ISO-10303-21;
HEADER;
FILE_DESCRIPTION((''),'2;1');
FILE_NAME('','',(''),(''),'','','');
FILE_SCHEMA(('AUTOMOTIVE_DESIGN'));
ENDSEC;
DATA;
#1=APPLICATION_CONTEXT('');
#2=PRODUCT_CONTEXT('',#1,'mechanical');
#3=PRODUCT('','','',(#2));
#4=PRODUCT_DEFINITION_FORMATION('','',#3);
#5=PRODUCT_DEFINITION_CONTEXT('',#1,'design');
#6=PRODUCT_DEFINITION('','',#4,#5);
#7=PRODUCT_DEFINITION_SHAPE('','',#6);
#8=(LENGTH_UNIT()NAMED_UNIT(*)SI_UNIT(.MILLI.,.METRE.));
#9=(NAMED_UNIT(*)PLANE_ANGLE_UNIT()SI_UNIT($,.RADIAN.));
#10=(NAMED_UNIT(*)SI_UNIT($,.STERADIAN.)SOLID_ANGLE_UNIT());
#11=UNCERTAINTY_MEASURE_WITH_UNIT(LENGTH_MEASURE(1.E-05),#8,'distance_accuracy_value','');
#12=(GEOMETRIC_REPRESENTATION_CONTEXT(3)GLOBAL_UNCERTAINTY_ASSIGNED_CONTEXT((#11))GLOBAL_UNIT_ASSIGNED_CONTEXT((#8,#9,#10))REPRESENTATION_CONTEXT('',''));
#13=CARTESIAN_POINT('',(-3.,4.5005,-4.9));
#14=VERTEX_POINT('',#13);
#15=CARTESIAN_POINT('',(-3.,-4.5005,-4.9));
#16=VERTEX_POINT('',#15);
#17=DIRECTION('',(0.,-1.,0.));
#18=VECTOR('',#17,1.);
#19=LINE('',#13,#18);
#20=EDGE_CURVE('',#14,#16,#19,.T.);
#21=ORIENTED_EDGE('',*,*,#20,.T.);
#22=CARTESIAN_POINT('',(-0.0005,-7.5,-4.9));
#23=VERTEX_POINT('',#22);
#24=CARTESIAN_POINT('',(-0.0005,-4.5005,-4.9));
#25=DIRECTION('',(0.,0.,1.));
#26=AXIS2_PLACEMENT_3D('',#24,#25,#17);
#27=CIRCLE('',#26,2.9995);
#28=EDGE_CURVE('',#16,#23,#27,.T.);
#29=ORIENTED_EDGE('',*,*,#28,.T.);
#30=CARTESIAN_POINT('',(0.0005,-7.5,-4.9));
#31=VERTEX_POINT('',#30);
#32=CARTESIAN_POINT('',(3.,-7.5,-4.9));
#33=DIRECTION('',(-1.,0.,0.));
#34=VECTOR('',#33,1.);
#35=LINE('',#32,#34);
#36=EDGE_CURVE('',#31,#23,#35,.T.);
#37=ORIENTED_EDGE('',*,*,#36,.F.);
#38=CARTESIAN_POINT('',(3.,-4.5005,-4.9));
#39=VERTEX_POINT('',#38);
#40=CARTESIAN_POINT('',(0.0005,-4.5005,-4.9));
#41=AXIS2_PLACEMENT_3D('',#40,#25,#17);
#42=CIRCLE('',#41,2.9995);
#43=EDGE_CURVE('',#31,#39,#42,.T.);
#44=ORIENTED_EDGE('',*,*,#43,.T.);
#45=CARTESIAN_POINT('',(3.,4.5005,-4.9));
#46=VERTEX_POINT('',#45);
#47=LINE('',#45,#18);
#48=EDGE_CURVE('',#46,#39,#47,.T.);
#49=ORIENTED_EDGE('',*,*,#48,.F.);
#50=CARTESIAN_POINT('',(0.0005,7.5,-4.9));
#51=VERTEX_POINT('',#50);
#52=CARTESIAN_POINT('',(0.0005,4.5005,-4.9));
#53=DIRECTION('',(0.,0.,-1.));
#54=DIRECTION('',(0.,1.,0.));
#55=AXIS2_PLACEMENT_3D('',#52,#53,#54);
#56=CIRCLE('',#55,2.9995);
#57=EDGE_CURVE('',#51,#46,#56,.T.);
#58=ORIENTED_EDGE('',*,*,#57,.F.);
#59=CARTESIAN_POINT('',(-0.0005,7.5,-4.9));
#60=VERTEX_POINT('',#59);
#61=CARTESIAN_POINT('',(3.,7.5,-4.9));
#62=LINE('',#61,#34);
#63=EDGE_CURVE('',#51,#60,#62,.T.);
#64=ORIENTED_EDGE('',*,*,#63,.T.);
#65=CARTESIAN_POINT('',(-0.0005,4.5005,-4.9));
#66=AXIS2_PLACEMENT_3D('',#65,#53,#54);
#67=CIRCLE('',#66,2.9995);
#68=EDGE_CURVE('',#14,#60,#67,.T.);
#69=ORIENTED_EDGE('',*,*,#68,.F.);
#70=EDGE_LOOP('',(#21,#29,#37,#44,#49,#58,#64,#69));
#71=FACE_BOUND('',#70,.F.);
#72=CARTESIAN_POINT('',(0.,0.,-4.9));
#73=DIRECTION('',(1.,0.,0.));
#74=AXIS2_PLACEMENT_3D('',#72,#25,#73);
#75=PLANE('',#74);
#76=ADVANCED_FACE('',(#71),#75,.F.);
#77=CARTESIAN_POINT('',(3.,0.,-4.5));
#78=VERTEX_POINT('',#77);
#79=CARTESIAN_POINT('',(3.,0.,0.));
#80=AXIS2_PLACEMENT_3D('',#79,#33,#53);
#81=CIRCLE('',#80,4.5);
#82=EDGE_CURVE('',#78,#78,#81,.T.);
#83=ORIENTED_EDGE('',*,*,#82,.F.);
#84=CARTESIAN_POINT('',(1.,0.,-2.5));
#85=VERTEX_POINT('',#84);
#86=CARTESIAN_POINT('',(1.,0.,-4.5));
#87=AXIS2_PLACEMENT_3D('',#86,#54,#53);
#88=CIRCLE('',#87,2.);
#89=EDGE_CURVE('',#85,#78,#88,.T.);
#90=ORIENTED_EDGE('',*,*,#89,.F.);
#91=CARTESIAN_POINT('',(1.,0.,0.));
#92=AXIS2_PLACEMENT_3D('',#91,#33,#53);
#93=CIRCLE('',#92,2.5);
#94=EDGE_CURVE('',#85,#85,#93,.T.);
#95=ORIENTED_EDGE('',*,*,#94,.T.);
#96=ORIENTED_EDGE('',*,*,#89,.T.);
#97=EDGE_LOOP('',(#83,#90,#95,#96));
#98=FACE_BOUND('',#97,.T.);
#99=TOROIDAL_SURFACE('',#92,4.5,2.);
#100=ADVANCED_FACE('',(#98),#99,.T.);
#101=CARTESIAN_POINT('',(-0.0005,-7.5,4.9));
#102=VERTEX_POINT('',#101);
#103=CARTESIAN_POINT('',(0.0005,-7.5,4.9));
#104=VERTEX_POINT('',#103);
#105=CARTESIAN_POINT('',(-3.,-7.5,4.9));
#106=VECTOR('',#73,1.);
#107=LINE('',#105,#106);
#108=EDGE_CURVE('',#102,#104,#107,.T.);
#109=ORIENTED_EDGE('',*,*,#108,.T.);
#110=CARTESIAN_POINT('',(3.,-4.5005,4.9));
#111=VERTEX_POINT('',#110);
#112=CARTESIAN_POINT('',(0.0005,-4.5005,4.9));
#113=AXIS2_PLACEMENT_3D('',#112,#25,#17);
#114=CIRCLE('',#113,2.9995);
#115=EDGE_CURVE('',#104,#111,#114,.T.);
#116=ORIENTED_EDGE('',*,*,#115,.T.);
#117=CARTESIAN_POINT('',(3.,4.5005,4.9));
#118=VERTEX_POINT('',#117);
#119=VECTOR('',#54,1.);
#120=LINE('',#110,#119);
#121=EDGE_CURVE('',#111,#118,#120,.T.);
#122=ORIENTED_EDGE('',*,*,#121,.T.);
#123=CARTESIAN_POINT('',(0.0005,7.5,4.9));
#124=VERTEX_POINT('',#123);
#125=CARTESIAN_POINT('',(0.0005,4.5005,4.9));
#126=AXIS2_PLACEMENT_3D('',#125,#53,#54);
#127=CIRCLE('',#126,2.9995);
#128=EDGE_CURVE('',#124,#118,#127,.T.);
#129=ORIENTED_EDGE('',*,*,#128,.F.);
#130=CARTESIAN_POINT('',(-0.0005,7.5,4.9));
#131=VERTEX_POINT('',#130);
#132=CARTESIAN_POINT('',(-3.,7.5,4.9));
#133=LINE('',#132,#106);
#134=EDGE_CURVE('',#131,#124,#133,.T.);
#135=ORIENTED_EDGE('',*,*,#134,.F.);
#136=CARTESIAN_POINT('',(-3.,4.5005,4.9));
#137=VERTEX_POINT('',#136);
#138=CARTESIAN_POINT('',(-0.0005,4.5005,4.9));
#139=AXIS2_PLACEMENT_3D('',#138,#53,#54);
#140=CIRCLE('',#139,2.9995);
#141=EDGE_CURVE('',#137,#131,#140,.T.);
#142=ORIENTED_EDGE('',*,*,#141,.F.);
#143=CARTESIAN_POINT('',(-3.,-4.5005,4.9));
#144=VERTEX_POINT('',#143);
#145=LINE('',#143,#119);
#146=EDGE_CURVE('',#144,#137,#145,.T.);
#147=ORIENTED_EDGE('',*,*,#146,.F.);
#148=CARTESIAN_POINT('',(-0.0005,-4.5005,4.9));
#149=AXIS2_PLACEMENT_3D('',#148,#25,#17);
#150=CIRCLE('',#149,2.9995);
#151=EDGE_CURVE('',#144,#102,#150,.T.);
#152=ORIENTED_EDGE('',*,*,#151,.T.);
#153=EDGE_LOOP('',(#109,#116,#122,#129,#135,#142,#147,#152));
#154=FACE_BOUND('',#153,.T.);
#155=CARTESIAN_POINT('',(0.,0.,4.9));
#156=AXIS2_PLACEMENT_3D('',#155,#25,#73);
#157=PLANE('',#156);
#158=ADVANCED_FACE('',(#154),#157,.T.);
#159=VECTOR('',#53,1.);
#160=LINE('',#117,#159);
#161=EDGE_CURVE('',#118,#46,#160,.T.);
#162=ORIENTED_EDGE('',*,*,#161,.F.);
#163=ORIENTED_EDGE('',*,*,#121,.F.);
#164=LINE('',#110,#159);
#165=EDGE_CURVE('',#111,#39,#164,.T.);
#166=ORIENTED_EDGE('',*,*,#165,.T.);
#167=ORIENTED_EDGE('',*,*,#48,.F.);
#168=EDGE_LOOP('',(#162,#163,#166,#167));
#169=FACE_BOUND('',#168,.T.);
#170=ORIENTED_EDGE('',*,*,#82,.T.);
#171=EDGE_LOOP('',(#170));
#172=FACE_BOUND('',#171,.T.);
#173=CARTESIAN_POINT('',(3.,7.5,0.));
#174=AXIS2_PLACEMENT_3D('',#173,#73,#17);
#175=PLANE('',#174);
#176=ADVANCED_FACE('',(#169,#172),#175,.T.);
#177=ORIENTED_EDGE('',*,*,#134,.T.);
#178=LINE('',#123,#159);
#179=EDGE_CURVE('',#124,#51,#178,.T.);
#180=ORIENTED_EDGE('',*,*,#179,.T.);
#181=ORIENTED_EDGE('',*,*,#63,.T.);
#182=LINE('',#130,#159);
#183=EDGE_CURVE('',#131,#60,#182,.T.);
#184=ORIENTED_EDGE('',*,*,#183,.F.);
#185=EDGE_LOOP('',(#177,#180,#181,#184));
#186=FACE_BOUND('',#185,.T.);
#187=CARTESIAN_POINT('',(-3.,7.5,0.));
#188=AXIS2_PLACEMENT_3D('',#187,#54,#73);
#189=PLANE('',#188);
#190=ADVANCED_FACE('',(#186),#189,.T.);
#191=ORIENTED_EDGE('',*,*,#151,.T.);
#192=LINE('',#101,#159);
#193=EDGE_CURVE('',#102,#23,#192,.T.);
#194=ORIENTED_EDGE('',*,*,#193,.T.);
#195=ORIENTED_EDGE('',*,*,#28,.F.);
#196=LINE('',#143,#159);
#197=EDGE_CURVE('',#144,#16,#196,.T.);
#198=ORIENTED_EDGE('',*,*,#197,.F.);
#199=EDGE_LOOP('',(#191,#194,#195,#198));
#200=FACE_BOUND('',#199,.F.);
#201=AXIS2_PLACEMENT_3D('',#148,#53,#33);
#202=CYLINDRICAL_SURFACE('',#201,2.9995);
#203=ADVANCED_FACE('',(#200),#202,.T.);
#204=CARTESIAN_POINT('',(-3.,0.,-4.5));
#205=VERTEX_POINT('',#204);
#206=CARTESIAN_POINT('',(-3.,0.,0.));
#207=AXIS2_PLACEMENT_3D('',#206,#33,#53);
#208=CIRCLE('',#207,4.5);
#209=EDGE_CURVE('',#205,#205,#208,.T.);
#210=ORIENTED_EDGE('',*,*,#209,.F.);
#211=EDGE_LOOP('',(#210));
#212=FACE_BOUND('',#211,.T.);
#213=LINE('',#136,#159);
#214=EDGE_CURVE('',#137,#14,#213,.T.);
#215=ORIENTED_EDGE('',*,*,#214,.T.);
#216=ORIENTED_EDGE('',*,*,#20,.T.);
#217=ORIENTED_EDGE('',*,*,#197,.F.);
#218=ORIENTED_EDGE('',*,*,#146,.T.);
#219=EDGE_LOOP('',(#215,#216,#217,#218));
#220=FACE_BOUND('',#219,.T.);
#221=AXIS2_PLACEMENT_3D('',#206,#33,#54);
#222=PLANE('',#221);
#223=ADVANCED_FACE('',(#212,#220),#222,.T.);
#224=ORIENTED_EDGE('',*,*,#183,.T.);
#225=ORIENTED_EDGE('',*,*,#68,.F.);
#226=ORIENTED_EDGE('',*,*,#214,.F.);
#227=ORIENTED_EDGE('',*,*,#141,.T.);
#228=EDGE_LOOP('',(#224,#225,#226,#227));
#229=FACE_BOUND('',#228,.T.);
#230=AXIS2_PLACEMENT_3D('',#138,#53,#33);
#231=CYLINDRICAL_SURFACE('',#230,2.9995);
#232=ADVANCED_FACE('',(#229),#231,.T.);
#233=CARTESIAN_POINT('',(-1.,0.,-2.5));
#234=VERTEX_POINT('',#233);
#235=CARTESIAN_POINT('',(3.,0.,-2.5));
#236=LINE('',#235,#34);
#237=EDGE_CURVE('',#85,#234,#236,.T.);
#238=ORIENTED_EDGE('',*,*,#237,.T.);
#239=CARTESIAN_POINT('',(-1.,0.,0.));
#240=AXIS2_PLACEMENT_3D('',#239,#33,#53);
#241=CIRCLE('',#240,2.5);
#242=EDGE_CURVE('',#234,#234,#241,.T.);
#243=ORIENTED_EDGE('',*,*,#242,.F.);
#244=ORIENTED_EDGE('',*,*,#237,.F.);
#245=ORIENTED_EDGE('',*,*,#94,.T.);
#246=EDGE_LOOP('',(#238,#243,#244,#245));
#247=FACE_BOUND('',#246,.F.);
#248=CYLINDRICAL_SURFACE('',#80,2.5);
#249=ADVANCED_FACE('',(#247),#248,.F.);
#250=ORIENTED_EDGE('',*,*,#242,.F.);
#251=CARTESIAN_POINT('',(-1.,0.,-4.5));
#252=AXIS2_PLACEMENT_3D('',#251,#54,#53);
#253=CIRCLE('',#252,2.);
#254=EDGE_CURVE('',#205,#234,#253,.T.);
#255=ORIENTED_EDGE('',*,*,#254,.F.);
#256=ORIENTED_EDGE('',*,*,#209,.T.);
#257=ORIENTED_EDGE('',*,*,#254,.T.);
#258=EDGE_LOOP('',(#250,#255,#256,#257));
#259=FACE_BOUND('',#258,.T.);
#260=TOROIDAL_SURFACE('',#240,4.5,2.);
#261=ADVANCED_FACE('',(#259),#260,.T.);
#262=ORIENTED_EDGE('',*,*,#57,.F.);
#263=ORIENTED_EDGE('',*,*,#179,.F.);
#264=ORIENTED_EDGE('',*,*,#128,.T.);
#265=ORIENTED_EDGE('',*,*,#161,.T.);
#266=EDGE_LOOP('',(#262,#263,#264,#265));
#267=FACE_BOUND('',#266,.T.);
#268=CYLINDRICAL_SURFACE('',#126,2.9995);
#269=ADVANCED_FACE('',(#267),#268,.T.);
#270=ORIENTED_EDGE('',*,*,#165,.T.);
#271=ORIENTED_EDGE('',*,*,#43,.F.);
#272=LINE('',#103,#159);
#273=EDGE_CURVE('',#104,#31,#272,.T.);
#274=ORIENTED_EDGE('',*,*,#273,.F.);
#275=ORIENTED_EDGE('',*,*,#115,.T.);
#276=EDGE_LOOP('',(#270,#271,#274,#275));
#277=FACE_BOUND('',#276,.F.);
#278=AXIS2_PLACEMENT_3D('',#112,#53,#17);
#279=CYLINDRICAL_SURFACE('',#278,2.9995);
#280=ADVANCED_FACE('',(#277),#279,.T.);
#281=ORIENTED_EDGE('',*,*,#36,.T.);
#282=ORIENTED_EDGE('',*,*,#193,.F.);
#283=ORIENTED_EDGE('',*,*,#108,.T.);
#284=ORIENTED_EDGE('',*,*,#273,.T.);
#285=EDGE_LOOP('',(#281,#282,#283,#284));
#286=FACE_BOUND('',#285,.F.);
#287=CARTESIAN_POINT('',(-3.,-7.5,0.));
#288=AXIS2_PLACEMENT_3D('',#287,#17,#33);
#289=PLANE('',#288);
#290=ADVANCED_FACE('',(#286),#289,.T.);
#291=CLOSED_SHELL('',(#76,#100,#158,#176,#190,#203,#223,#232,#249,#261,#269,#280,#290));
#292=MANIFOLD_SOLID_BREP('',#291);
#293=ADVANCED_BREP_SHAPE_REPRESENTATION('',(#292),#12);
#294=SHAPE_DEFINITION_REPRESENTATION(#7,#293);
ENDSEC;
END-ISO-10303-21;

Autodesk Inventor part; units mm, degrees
ref_plane "YZ Plane" through (0, 0, 0) normal (1, 0, 0) x (0, 1, 0)
ref_plane "XZ Plane" through (0, 0, 0) normal (0, 1, 0) x (-1, 0, 0)
ref_plane "XY Plane" through (0, 0, 0) normal (0, 0, 1) x (1, 0, 0)
sketch "Sketch1" plane through (0, 0, 0) normal (0, 0, 1) x (1, 0, 0)
  line L0 (-4.2, 0) -> (4.2, 0) projected
  line L1 (0, -1.5) -> (0, 9) projected
  line L2 (-3, 7.5) -> (3, 7.5)
  line L3 (3, 7.5) -> (3, 0)
  line L4 (3, 0) -> (-3, 0)
  line L5 (-3, 0) -> (-3, 7.5)
  point P0 (0, 0)
  point P1 (0, 0)
  dimension "d0" = 6
  dimension "d1" = 7.5
extrude "Extrusion1" add sketch "Sketch1" along normal mid plane 9.8
fillet "Fillet1" radius 3 2 edges at (3, 7.5, 0) (-3, 7.5, 0)
mirror "Mirror1" about plane through (-3, 0, 0) normal (0, -1, 0)
sketch "Sketch2" plane through (3, 4.5, 4.9) normal (1, 0, 0) x (0, 0, -1)
  point P0 (4.9, -4.5)
hole "Hole1" at (3, 0, 0) direction (-1, 0, 0) diameter 5 end through all
fillet "Fillet2" radius 2 2 edges at (3, 0, 2.5) (-3, 0, 2.5)
properties part number "P103" material "ABS Plastic"
